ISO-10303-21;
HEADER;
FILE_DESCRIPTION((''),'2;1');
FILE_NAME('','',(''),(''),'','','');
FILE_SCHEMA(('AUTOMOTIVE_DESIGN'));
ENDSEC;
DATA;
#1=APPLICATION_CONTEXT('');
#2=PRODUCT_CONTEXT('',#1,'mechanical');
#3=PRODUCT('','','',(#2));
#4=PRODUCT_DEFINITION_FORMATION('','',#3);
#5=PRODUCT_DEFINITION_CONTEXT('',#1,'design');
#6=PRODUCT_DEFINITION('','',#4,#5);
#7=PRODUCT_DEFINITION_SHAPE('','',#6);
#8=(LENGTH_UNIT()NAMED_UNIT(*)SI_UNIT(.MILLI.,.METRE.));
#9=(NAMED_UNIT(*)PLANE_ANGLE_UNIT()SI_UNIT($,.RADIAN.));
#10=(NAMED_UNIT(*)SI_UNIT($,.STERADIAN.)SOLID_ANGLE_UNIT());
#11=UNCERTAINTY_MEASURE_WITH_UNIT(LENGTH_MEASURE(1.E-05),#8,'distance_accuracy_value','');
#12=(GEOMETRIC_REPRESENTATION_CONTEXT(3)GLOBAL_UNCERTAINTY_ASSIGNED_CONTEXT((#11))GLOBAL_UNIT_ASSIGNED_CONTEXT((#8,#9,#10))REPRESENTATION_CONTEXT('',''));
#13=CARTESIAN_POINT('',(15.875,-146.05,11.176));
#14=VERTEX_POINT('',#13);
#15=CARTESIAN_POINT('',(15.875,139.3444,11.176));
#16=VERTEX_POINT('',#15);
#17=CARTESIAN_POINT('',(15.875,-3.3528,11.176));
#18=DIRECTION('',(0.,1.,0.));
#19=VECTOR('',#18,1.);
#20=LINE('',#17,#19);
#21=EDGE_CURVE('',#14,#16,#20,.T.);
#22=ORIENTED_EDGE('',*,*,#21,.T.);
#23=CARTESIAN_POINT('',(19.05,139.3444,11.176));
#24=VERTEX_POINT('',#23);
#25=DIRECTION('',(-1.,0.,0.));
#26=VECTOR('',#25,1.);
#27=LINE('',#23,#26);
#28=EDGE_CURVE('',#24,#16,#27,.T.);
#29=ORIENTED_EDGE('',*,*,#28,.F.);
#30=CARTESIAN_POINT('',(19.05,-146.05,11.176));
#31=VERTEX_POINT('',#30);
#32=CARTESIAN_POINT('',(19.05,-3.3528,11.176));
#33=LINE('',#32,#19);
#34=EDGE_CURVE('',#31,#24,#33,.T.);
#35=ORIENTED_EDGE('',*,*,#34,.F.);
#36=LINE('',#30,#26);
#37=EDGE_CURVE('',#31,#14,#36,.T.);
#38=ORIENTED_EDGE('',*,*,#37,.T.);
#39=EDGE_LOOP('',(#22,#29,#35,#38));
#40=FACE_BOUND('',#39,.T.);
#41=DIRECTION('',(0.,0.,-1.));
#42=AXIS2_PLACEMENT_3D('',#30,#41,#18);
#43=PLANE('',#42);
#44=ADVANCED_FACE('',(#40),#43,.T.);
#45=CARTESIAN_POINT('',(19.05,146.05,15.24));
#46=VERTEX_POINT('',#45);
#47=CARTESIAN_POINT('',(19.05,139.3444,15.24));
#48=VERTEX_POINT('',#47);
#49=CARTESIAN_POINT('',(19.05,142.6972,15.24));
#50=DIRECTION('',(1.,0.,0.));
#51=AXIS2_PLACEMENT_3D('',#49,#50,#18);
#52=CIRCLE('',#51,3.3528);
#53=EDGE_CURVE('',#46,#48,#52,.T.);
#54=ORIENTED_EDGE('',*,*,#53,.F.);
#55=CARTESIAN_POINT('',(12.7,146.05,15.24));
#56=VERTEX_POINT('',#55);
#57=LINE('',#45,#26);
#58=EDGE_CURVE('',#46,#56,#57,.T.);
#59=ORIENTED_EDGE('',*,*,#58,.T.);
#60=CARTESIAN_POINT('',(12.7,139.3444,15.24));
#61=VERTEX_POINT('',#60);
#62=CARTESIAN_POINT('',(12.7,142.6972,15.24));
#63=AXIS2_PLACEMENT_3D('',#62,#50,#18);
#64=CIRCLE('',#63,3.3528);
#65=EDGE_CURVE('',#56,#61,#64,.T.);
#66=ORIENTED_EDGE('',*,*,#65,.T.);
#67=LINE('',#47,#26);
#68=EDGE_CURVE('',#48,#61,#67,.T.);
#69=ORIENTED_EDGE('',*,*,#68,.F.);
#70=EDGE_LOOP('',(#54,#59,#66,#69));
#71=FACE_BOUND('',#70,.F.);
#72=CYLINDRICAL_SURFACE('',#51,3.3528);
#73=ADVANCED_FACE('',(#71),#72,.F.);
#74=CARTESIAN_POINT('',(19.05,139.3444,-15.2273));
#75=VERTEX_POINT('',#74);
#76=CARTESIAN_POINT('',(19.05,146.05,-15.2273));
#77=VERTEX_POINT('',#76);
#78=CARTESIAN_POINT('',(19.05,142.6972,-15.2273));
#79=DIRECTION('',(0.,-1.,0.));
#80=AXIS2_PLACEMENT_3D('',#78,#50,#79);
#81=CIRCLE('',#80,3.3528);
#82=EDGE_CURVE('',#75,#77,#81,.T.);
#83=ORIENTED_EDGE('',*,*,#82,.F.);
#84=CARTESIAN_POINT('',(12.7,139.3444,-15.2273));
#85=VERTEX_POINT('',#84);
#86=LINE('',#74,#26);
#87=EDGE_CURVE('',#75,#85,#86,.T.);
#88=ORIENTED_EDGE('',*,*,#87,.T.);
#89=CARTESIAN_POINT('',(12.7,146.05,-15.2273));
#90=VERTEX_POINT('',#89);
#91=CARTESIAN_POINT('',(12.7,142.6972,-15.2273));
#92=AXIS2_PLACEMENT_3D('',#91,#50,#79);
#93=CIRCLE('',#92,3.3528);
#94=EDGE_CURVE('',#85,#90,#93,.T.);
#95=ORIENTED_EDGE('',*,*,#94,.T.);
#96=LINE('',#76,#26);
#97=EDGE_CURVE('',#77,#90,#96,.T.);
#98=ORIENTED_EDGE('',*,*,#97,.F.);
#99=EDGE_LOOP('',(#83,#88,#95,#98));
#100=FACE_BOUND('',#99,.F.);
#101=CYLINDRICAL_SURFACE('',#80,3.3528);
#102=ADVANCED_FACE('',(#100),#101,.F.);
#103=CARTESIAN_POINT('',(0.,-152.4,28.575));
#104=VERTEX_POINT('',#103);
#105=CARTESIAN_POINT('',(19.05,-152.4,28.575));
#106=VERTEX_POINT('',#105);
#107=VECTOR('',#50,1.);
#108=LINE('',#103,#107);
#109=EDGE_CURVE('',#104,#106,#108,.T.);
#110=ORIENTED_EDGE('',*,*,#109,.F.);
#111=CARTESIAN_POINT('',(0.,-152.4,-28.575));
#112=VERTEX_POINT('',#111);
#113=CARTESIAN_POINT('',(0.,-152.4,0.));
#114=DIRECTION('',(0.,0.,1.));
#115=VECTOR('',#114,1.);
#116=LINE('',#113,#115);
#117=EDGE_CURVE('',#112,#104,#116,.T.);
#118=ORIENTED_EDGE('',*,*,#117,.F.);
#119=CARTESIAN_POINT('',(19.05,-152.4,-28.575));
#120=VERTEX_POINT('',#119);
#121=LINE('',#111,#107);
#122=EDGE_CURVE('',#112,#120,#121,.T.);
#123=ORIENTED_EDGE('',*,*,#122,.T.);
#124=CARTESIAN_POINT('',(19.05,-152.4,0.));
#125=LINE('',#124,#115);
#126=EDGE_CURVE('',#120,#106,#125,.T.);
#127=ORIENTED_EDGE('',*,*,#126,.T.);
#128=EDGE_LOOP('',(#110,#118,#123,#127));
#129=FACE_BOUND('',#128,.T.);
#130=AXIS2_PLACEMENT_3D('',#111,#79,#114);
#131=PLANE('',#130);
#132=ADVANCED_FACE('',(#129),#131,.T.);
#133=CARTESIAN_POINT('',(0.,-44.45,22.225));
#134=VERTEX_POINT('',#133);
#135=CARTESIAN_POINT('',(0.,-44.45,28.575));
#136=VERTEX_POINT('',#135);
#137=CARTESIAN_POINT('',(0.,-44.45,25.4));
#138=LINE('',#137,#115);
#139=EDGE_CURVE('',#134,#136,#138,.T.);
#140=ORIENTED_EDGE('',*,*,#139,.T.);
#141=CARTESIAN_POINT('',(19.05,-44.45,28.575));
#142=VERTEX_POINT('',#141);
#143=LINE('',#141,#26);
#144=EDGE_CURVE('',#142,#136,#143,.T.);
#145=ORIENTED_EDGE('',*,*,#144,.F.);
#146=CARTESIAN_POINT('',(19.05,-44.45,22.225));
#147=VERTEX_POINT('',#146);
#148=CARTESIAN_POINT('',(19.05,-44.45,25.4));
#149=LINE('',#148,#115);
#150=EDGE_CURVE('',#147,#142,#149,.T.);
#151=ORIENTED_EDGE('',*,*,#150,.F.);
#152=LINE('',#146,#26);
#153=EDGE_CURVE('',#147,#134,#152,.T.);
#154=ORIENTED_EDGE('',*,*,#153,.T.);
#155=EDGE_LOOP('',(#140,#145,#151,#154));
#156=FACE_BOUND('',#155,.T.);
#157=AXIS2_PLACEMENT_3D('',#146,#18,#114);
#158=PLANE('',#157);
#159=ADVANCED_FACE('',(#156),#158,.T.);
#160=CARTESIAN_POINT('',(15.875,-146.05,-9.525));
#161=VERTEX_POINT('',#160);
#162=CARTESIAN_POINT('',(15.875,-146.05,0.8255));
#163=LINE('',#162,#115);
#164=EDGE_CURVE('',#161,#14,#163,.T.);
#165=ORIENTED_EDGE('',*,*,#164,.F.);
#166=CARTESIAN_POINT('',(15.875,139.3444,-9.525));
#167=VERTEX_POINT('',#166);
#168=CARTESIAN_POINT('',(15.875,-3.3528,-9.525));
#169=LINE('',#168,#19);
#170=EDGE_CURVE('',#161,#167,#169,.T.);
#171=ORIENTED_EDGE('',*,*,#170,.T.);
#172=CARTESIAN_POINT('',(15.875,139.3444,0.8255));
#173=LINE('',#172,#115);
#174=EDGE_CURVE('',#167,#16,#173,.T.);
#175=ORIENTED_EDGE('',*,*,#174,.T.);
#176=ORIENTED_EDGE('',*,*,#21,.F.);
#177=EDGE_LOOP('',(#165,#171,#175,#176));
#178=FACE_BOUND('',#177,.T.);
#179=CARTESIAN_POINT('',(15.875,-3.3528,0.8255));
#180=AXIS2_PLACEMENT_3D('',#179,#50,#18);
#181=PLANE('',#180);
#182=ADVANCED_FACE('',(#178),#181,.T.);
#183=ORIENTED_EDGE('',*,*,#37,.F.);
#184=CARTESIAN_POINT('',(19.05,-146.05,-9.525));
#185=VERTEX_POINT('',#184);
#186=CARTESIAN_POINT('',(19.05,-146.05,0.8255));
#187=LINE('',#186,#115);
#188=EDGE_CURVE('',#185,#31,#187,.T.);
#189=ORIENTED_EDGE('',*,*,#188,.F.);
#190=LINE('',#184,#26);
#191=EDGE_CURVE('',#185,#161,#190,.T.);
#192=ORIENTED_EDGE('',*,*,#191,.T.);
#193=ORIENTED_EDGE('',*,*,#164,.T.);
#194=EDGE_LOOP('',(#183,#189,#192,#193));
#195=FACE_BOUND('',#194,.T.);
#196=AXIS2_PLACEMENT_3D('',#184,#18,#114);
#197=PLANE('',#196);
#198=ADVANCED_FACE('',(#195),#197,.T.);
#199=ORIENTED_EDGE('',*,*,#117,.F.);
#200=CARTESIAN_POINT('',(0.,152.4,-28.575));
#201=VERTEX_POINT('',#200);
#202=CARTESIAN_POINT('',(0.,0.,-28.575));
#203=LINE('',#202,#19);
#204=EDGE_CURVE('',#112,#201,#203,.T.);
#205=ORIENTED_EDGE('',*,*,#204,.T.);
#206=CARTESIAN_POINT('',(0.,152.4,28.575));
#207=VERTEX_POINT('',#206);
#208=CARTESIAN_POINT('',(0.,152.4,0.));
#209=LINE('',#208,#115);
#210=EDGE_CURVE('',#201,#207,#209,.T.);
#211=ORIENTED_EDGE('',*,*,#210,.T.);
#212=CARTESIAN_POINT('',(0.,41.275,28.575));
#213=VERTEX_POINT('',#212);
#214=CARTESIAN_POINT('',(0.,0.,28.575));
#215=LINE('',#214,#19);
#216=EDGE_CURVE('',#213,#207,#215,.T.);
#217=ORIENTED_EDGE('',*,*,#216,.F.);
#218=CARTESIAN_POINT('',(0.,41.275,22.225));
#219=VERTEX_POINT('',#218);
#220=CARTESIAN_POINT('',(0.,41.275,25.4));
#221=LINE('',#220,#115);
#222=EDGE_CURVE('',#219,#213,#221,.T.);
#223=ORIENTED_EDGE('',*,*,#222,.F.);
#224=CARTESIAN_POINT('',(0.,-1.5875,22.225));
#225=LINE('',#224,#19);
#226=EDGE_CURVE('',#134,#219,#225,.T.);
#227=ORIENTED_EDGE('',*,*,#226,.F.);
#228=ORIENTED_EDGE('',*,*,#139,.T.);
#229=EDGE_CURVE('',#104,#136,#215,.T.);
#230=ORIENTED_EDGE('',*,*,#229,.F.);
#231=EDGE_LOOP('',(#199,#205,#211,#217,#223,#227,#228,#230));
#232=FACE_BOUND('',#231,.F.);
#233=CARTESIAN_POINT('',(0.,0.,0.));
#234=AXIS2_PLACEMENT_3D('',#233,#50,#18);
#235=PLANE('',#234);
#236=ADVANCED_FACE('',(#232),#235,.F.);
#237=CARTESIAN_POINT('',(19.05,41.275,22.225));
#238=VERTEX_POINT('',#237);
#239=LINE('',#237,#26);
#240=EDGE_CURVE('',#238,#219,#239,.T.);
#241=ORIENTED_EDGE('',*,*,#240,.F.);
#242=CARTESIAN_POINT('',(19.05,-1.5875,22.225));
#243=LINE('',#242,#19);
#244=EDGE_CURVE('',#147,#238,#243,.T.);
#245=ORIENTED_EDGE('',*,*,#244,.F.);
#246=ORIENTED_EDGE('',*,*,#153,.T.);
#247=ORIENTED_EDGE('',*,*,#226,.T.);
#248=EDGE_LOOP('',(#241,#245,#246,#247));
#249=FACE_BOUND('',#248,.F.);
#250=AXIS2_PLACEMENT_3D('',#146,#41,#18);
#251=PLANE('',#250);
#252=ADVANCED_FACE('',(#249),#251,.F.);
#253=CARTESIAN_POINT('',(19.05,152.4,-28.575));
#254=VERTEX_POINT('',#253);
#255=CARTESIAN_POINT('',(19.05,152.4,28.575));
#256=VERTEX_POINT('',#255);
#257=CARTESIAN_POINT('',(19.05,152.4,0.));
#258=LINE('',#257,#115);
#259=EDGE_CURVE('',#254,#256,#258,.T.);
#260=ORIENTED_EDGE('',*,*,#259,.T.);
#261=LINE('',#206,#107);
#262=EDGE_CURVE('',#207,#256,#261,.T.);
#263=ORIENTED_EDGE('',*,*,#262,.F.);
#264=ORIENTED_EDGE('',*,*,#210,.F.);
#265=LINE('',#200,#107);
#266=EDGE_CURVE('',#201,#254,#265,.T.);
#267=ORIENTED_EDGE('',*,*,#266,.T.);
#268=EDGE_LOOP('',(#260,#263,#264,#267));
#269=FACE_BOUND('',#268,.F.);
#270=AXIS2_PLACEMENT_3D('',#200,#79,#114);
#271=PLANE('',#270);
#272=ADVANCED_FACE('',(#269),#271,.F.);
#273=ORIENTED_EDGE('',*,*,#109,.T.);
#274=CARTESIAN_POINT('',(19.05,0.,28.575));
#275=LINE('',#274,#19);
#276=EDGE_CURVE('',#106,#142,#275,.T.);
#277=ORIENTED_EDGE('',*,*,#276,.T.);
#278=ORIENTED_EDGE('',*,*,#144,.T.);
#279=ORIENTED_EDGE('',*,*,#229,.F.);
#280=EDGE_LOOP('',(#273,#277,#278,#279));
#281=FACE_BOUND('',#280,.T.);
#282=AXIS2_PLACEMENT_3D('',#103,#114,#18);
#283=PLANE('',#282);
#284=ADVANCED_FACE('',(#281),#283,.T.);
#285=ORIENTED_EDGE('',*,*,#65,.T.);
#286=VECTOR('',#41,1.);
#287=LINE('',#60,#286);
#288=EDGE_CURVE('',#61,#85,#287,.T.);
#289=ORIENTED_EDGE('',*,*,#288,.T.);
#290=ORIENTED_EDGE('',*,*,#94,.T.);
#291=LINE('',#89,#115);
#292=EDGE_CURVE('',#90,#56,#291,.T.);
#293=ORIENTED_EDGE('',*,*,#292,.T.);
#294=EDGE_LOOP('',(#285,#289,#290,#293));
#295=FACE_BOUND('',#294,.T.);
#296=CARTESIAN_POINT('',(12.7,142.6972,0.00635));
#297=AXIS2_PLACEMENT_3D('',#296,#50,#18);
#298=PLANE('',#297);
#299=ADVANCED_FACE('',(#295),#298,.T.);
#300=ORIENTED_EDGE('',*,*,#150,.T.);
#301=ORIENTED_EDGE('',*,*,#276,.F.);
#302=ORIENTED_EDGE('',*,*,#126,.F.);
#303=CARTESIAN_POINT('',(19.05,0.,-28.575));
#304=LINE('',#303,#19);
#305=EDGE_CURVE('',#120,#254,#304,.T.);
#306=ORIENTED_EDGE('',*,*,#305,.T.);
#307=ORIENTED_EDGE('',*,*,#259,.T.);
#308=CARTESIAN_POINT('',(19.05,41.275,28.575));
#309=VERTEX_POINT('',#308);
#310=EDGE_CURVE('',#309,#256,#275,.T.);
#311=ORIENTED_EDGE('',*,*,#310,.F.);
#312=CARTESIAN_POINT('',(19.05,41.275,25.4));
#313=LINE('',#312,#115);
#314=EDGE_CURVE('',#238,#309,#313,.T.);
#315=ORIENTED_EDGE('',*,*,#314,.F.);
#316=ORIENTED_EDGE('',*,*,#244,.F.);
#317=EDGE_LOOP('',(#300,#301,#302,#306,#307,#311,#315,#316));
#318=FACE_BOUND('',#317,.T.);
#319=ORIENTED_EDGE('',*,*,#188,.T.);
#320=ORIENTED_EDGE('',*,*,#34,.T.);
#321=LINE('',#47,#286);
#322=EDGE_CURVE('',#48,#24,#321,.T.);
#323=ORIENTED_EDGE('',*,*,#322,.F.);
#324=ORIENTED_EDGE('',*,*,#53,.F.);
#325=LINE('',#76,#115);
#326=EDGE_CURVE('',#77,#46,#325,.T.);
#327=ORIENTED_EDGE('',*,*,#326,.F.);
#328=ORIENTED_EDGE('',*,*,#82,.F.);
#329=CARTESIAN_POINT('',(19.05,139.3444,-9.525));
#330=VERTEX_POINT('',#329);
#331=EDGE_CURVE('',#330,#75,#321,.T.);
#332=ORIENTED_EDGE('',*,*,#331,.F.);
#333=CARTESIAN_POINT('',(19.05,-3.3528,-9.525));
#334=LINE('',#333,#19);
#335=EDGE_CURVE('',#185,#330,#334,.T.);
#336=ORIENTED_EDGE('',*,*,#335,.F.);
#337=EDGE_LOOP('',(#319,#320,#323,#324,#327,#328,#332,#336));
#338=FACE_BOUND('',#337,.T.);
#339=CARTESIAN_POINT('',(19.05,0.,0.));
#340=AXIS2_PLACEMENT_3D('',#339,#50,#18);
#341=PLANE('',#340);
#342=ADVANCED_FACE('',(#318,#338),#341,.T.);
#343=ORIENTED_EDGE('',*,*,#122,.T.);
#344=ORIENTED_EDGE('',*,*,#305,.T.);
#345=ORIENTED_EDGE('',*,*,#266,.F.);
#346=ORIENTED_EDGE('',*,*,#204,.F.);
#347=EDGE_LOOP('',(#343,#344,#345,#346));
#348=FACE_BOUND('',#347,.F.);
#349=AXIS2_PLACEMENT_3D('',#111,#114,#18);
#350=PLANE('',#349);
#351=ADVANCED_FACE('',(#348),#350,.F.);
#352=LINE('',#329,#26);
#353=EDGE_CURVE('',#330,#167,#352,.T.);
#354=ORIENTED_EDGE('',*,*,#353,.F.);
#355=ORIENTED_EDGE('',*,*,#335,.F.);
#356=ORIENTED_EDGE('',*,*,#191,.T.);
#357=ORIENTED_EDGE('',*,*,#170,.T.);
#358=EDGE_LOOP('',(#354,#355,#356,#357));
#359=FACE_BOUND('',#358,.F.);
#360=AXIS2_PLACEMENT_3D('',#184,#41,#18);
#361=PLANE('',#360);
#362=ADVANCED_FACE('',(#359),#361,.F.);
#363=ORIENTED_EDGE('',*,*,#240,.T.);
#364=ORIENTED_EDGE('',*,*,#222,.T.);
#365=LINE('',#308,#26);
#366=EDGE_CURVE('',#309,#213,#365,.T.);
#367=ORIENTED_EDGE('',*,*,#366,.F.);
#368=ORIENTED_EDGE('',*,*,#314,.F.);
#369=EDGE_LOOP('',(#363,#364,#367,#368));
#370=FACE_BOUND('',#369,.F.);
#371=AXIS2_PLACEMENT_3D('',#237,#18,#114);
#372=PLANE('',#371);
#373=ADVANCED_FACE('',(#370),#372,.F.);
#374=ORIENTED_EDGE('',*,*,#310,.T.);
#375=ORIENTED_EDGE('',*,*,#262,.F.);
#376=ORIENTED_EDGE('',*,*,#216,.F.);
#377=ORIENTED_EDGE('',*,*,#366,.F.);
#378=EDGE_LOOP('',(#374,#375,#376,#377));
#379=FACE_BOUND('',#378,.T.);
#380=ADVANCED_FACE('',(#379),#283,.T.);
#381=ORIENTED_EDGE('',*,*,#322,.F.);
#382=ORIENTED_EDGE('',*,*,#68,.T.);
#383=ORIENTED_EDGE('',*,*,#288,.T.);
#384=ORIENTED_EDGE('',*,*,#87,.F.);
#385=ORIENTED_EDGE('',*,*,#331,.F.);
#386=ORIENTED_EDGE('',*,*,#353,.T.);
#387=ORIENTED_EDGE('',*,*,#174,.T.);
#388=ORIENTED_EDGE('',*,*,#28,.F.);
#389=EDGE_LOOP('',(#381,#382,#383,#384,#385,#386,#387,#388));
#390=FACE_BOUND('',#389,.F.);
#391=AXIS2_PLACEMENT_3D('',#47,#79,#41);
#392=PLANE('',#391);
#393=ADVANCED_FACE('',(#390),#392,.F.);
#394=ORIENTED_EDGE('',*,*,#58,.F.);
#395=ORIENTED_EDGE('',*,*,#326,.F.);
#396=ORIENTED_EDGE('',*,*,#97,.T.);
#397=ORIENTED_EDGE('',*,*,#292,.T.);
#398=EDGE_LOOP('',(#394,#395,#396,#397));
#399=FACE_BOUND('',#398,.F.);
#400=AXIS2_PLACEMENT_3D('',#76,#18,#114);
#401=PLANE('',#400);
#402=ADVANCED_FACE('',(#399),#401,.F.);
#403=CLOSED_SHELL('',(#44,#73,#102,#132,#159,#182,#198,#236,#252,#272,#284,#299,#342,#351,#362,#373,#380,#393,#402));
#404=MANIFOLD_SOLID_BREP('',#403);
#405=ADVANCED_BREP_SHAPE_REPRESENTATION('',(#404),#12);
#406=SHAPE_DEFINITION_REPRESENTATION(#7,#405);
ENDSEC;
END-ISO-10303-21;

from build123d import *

# Parameters (mm, degrees)
F0_W     = 304.8
F0_H     = 57.15
F1_DEPTH = 19.05
F3_DEPTH = 6.35
F4_W     = 285.3944
F4_H     = 20.701
F5_DEPTH = 3.175
F6_W     = 85.725
F6_H     = 6.35
F7_DEPTH = 19.05


with BuildPart() as f1:
    # F0 (on Right) → F1 (new body)
    with BuildSketch(Plane.YZ):
        Rectangle(F0_W, F0_H)
    extrude(amount=F1_DEPTH)

    # F2 (on face) → F3 (cut)
    with BuildSketch(Plane.YZ.offset(19.05)):
        with BuildLine():
            ThreePointArc((146.05, 15.24), (142.6972, 18.5928), (139.3444, 15.24))
            Line((139.3444, 15.24), (139.3444, -15.2273))
            ThreePointArc((139.3444, -15.2273), (142.6972, -18.5801), (146.05, -15.2273))
            Line((146.05, -15.2273), (146.05, 15.24))
        make_face()
    extrude(amount=-F3_DEPTH, mode=Mode.SUBTRACT)

    # F4 (on face) → F5 (cut)
    with BuildSketch(Plane.YZ.offset(19.05)):
        with Locations((-3.3528, 0.8255)):
            Rectangle(F4_W, F4_H)
    extrude(amount=-F5_DEPTH, mode=Mode.SUBTRACT)

    # F6 (on face) → F7 (cut, through all)
    with BuildSketch(Plane.YZ.offset(19.05)):
        with Locations((-1.5875, 25.4)):
            Rectangle(F6_W, F6_H)
    extrude(amount=-F7_DEPTH, mode=Mode.SUBTRACT)


solid = f1.part
